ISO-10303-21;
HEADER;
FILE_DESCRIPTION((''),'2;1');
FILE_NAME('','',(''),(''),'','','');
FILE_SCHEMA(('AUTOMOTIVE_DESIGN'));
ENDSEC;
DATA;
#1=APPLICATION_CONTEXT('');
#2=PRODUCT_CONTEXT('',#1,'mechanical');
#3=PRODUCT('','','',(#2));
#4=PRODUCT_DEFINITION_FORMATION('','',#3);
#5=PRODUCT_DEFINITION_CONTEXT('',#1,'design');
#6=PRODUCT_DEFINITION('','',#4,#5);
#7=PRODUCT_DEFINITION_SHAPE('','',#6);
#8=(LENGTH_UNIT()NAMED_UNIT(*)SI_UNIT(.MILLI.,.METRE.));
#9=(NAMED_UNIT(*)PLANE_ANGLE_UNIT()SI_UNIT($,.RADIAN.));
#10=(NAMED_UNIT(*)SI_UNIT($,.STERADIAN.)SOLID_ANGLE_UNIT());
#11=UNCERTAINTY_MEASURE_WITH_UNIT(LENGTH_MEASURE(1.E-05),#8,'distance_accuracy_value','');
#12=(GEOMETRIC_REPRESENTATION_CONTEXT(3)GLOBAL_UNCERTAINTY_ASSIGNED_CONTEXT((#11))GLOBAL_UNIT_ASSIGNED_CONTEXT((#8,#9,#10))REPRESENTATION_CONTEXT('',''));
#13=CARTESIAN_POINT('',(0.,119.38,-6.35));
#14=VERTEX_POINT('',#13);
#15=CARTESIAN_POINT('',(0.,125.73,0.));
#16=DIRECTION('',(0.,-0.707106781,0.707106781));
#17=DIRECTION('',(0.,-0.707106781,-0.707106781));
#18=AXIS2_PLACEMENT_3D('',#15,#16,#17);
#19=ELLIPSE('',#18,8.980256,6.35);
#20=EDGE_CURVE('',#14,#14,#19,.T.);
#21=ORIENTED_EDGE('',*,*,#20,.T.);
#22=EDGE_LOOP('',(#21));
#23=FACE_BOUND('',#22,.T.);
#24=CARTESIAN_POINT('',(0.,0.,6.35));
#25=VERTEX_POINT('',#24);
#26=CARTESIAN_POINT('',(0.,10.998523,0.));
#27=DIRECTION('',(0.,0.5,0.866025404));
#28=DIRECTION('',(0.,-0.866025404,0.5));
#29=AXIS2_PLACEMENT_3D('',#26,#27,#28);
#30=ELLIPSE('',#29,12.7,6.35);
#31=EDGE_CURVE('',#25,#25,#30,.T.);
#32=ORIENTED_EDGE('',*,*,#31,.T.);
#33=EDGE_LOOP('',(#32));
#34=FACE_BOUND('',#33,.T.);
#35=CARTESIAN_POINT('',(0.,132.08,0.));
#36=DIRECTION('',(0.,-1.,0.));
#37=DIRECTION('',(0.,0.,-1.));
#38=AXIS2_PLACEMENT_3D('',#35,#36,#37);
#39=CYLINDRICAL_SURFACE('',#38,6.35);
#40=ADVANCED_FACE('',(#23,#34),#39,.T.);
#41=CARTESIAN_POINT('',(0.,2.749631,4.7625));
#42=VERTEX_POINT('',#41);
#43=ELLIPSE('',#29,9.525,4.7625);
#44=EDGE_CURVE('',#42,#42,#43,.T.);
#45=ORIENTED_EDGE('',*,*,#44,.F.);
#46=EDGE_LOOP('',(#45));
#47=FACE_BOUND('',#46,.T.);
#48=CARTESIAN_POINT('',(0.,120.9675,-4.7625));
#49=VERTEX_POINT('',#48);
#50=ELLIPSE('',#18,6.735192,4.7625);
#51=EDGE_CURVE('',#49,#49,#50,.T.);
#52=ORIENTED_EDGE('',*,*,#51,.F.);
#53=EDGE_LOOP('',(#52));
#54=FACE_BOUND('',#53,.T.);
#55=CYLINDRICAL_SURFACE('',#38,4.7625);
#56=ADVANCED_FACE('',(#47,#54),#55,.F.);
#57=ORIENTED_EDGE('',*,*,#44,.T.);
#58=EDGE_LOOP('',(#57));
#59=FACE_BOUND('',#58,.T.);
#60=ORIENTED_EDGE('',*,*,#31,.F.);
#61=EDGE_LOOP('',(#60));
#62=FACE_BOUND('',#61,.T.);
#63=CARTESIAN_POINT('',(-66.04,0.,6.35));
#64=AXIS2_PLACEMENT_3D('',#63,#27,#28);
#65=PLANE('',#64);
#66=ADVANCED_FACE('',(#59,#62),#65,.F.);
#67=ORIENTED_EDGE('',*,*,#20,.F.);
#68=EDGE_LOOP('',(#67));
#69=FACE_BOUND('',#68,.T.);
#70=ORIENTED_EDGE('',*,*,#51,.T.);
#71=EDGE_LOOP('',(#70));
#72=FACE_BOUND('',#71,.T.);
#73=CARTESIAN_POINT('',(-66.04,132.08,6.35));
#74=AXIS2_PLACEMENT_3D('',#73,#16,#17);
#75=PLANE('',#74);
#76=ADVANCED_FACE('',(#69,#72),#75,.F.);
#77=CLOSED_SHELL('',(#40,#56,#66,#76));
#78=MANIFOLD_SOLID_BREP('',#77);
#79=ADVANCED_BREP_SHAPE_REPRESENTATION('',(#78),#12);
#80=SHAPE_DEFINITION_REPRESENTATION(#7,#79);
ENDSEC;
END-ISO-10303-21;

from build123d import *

# Parameters (mm, degrees)
SKETCH1_R           = 6.35
SKETCH1_R_2         = 4.7625
BOSS_EXTRUDE1_DEPTH = 132.08
CUT_EXTRUDE1_DEPTH  = 66.04


with BuildPart() as part:
    # Sketch1 → Boss-Extrude1 (new body)
    with BuildSketch(Plane(origin=(0, 0, 0), x_dir=(1, 0, 0), z_dir=(0, 1, 0))):
        with Locations(Location((0, 0, 0), (0, 0, 270))):
            Circle(SKETCH1_R)
        with Locations(Location((0, 0, 0), (0, 0, 270))):
            Circle(SKETCH1_R_2, mode=Mode.SUBTRACT)
    extrude(amount=BOSS_EXTRUDE1_DEPTH)

    # Sketch2 → Cut-Extrude1 (cut, symmetric)
    with BuildSketch(Plane(origin=(0, 0, 0), x_dir=(0, 0, -1), z_dir=(1, 0, 0))):
        Polygon((-6.35, 132.08), (6.35, 119.38), (6.35, 132.08), align=None)
        Polygon((-6.35, 0), (6.35, 21.997045256), (6.35, 0), align=None)
    extrude(amount=CUT_EXTRUDE1_DEPTH, both=True, mode=Mode.SUBTRACT)


solid = part.part
